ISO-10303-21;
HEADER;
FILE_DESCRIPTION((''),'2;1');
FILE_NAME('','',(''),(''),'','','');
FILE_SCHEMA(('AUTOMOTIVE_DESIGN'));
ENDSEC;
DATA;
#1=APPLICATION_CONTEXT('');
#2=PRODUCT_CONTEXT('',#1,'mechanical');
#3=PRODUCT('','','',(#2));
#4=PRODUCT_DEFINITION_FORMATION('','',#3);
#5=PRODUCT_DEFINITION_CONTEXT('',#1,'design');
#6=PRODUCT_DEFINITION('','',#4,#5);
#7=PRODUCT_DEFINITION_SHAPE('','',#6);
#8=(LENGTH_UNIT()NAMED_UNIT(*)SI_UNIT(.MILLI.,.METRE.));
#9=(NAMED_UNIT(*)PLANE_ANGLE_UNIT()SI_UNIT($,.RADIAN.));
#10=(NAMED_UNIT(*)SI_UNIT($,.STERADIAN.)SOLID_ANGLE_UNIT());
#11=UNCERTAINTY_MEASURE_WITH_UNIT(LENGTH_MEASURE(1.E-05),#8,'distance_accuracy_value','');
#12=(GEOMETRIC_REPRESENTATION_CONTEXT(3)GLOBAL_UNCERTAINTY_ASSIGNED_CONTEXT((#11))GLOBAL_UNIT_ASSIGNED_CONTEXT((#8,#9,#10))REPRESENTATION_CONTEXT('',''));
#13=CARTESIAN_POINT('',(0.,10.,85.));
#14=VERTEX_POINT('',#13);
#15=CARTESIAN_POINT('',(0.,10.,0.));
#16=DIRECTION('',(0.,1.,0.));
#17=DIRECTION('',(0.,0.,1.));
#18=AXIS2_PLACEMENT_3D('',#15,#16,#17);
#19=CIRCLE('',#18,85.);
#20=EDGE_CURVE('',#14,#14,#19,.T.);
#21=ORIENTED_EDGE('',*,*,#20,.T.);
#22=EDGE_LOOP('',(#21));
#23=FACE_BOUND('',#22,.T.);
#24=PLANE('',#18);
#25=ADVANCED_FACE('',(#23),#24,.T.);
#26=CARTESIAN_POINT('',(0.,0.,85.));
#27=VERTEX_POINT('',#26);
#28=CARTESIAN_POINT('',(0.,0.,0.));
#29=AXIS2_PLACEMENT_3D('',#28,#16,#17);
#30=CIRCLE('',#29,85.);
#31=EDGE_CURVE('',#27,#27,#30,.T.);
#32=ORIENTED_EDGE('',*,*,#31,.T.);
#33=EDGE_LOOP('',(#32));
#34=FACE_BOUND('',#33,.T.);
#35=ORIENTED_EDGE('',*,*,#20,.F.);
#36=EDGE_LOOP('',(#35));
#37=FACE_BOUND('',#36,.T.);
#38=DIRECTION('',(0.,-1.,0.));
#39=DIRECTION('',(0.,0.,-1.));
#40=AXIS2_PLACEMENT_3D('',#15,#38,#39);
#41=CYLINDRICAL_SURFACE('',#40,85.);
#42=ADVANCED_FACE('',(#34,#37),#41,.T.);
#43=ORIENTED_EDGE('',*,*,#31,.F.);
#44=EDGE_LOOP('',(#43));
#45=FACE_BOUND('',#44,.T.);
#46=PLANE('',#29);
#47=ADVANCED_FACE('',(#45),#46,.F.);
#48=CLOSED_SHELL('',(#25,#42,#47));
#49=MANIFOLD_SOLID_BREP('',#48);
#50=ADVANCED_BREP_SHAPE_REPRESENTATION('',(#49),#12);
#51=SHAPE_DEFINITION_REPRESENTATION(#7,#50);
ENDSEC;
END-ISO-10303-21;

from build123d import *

# Parameters (mm, degrees)
CROQUIS2_R     = 85
EXTRUIR2_DEPTH = 10


with BuildPart() as part:
    # Croquis2 → Extruir2 (new body)
    with BuildSketch(Plane(origin=(0, 0, 0), x_dir=(1, 0, 0), z_dir=(0, 1, 0))):
        with Locations(Location((0, 0, 0), (0, 0, 270))):
            Circle(CROQUIS2_R)
    extrude(amount=EXTRUIR2_DEPTH)


solid = part.part
